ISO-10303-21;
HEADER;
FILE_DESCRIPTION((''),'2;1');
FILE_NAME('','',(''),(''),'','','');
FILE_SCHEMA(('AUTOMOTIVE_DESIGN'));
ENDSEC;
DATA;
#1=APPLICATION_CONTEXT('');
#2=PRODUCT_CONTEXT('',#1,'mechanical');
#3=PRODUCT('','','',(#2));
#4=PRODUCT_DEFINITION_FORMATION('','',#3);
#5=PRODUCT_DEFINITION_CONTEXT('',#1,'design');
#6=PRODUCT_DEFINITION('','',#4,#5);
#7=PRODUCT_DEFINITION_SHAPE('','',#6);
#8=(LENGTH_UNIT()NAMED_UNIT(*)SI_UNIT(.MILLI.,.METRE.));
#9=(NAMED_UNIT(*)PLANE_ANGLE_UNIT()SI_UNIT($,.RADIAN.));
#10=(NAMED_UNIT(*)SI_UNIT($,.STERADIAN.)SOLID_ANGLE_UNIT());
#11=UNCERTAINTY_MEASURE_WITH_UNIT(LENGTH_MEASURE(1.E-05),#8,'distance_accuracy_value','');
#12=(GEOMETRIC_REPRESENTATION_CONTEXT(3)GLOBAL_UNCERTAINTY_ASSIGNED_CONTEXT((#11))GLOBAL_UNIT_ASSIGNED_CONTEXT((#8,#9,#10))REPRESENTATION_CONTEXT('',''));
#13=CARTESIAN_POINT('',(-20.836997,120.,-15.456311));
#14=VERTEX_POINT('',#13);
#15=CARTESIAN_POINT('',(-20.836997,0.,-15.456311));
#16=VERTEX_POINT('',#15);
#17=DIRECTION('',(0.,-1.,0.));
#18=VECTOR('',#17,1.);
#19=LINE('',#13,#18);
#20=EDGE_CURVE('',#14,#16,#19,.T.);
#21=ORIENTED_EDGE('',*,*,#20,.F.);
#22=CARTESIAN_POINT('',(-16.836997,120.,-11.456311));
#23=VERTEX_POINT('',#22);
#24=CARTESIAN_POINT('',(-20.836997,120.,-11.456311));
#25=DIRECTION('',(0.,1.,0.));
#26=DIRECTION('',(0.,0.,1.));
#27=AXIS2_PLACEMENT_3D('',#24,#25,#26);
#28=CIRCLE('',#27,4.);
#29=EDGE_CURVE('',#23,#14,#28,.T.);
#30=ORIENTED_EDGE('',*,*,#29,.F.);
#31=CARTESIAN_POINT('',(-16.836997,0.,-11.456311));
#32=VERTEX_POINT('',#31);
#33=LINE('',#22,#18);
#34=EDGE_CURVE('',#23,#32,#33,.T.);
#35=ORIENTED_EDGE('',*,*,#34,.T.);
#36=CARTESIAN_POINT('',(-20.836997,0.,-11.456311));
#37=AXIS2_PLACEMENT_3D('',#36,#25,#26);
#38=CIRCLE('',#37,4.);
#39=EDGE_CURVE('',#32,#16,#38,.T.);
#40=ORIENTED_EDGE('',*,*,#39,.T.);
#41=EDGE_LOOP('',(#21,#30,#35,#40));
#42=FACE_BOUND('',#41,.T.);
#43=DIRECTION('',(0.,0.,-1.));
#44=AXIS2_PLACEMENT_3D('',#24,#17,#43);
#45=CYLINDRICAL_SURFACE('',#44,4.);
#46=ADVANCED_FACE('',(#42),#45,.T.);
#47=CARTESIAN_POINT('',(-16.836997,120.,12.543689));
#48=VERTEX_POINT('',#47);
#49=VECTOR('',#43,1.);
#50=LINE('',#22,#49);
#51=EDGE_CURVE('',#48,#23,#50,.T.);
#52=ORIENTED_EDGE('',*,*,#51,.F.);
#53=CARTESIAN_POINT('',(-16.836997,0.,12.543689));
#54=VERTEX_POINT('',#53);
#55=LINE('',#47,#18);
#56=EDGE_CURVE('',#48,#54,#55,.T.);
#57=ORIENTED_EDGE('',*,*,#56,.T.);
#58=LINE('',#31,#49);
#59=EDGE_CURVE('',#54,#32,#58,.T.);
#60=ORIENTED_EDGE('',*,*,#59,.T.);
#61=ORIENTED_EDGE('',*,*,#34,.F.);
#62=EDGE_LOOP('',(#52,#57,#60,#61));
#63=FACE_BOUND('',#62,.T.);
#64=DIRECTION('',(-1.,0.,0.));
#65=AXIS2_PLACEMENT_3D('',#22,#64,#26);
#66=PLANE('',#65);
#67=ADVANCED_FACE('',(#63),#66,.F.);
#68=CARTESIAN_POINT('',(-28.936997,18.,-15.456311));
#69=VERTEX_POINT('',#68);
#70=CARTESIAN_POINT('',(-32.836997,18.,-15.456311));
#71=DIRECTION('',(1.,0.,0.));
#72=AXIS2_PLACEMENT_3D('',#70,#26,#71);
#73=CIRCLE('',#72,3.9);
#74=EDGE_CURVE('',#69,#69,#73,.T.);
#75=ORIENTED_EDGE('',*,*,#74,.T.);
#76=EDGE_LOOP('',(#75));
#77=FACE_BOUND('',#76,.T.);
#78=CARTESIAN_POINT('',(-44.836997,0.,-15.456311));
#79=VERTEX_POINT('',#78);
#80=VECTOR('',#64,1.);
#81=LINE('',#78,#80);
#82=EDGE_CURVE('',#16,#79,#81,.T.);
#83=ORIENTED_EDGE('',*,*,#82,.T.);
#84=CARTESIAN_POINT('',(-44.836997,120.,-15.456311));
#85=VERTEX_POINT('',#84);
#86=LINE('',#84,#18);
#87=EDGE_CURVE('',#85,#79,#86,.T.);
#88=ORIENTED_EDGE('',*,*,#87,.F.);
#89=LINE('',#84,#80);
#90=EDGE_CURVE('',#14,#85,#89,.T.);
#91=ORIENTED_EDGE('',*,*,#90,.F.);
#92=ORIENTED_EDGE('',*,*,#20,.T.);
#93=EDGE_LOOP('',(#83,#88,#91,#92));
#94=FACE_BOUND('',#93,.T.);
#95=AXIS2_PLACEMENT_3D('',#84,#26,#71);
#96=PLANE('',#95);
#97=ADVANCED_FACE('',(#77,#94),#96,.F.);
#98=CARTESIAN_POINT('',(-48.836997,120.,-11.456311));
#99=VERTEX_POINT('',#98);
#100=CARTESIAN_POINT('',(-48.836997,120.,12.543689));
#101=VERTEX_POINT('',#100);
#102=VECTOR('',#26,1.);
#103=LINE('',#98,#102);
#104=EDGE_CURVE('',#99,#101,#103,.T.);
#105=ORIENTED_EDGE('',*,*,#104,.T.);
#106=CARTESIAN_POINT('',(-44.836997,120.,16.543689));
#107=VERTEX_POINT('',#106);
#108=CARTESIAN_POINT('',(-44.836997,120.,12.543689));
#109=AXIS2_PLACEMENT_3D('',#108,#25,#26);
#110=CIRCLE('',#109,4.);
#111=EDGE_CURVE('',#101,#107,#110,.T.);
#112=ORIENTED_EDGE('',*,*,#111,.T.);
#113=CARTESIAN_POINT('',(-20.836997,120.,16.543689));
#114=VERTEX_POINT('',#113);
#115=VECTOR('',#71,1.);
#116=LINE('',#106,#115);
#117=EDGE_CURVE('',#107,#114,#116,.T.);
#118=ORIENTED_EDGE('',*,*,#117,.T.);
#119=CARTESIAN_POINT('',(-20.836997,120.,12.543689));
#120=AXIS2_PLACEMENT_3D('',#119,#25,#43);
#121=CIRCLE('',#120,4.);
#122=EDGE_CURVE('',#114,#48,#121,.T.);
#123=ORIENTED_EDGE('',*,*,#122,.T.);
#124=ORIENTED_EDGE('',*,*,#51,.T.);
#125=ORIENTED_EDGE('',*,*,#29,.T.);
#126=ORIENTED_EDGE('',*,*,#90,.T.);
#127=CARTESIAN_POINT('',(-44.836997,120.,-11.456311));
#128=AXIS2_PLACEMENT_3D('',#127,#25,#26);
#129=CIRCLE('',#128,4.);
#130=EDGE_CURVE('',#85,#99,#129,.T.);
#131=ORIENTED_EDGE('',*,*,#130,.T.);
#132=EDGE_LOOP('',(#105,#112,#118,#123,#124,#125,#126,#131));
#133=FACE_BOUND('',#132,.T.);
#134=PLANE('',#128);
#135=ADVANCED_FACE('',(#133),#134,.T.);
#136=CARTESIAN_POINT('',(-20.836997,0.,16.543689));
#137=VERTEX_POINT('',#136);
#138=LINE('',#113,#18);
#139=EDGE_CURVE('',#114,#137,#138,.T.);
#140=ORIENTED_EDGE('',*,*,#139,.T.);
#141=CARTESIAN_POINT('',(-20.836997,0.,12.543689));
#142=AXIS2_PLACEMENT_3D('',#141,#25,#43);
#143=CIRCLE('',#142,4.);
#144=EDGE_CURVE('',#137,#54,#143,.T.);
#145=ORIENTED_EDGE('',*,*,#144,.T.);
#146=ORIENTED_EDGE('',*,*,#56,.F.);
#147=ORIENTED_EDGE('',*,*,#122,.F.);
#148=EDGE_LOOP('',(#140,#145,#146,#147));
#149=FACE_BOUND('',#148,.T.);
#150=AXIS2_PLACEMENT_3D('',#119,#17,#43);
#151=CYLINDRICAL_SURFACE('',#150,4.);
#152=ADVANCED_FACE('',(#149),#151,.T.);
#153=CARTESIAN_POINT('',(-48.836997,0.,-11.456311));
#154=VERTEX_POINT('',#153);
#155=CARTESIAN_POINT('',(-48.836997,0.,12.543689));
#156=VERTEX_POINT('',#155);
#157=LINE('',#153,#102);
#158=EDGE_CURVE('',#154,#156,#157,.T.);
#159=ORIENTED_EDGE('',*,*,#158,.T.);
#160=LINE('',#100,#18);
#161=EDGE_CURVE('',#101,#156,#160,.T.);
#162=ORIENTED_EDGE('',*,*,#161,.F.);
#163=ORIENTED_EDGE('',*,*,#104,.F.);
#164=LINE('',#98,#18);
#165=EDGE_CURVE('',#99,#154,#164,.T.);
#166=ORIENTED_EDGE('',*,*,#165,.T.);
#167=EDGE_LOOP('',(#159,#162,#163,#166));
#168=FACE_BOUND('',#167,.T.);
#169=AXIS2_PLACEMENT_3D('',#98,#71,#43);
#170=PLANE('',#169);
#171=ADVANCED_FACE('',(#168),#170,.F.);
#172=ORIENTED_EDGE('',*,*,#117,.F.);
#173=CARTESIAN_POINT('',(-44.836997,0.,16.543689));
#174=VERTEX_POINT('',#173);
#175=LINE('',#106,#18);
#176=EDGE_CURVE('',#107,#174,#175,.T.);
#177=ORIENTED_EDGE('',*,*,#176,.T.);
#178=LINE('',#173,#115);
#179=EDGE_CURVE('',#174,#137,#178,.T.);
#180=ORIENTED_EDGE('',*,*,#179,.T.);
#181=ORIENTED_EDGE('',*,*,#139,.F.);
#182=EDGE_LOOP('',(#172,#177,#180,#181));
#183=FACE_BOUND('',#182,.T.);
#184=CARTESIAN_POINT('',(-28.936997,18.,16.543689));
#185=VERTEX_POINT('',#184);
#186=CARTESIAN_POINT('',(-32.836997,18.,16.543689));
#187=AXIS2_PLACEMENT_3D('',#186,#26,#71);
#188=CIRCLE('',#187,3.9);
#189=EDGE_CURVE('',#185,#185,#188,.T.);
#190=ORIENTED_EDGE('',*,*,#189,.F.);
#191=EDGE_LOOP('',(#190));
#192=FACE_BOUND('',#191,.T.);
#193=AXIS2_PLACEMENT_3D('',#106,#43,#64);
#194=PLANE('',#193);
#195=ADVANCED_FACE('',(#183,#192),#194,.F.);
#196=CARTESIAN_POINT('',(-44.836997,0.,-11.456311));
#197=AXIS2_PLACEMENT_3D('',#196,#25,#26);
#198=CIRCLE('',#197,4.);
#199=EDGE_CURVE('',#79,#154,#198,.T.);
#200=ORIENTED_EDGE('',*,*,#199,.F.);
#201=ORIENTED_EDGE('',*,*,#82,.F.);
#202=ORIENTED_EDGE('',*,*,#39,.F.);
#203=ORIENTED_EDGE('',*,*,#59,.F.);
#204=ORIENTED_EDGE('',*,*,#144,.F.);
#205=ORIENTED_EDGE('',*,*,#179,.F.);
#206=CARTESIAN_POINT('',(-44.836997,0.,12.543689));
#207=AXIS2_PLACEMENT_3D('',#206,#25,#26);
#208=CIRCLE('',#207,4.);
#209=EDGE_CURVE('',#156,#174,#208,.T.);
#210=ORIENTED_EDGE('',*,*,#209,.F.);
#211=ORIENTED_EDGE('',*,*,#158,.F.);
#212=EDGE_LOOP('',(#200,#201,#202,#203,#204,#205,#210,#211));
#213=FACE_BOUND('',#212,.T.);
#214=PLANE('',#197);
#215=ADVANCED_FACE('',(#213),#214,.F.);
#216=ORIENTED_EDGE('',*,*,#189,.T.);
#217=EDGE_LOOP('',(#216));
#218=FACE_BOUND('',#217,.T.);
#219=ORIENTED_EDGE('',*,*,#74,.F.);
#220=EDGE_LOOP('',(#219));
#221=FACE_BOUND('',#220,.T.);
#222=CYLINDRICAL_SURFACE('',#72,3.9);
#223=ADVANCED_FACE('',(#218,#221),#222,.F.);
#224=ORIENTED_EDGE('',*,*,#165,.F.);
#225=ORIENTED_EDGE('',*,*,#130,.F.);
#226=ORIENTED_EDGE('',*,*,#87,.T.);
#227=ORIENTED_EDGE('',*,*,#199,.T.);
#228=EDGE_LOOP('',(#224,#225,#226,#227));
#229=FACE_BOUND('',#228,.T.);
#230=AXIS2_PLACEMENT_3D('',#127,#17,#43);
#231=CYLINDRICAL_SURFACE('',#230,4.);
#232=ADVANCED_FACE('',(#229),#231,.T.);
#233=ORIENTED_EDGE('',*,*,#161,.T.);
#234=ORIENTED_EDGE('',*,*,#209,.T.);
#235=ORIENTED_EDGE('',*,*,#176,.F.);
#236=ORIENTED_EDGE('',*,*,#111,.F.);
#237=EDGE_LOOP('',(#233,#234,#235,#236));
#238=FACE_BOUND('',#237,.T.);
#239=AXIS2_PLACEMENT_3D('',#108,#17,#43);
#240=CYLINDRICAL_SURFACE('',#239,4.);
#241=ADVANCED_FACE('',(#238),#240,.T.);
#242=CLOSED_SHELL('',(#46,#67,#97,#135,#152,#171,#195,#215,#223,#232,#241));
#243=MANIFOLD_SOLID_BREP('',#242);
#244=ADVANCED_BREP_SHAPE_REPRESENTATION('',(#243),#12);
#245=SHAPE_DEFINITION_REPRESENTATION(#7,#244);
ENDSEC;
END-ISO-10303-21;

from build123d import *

# Parameters (mm, degrees)
SALIENTE_EXTRUIR1_DEPTH = 120
CROQUIS3_R              = 3.9
CORTAR_EXTRUIR1_DEPTH   = 32


with BuildPart() as part:
    # Croquis2 → Saliente-Extruir1 (new body)
    with BuildSketch(Plane(origin=(0, 0, 0), x_dir=(1, 0, 0), z_dir=(0, 1, 0))):
        with BuildLine():
            Line((-44.836996695, 15.45631068), (-20.836996695, 15.45631068))
            ThreePointArc((-20.836996695, 15.45631068), (-18.00856957, 14.284737804), (-16.836996695, 11.45631068))
            Line((-16.836996695, 11.45631068), (-16.836996695, -12.54368932))
            ThreePointArc((-16.836996695, -12.54368932), (-18.00856957, -15.372116445), (-20.836996695, -16.54368932))
            Line((-20.836996695, -16.54368932), (-44.836996695, -16.54368932))
            ThreePointArc((-44.836996695, -16.54368932), (-47.665423819, -15.372116445), (-48.836996695, -12.54368932))
            Line((-48.836996695, -12.54368932), (-48.836996695, 11.45631068))
            ThreePointArc((-48.836996695, 11.45631068), (-47.665423819, 14.284737804), (-44.836996695, 15.45631068))
        make_face()
    extrude(amount=SALIENTE_EXTRUIR1_DEPTH)

    # Croquis3 → Cortar-Extruir1 (cut)
    with BuildSketch(Plane.XY.offset(16.54368932)):
        with Locations((-32.836996695, 18)):
            Circle(CROQUIS3_R)
    extrude(amount=-CORTAR_EXTRUIR1_DEPTH, mode=Mode.SUBTRACT)


solid = part.part
